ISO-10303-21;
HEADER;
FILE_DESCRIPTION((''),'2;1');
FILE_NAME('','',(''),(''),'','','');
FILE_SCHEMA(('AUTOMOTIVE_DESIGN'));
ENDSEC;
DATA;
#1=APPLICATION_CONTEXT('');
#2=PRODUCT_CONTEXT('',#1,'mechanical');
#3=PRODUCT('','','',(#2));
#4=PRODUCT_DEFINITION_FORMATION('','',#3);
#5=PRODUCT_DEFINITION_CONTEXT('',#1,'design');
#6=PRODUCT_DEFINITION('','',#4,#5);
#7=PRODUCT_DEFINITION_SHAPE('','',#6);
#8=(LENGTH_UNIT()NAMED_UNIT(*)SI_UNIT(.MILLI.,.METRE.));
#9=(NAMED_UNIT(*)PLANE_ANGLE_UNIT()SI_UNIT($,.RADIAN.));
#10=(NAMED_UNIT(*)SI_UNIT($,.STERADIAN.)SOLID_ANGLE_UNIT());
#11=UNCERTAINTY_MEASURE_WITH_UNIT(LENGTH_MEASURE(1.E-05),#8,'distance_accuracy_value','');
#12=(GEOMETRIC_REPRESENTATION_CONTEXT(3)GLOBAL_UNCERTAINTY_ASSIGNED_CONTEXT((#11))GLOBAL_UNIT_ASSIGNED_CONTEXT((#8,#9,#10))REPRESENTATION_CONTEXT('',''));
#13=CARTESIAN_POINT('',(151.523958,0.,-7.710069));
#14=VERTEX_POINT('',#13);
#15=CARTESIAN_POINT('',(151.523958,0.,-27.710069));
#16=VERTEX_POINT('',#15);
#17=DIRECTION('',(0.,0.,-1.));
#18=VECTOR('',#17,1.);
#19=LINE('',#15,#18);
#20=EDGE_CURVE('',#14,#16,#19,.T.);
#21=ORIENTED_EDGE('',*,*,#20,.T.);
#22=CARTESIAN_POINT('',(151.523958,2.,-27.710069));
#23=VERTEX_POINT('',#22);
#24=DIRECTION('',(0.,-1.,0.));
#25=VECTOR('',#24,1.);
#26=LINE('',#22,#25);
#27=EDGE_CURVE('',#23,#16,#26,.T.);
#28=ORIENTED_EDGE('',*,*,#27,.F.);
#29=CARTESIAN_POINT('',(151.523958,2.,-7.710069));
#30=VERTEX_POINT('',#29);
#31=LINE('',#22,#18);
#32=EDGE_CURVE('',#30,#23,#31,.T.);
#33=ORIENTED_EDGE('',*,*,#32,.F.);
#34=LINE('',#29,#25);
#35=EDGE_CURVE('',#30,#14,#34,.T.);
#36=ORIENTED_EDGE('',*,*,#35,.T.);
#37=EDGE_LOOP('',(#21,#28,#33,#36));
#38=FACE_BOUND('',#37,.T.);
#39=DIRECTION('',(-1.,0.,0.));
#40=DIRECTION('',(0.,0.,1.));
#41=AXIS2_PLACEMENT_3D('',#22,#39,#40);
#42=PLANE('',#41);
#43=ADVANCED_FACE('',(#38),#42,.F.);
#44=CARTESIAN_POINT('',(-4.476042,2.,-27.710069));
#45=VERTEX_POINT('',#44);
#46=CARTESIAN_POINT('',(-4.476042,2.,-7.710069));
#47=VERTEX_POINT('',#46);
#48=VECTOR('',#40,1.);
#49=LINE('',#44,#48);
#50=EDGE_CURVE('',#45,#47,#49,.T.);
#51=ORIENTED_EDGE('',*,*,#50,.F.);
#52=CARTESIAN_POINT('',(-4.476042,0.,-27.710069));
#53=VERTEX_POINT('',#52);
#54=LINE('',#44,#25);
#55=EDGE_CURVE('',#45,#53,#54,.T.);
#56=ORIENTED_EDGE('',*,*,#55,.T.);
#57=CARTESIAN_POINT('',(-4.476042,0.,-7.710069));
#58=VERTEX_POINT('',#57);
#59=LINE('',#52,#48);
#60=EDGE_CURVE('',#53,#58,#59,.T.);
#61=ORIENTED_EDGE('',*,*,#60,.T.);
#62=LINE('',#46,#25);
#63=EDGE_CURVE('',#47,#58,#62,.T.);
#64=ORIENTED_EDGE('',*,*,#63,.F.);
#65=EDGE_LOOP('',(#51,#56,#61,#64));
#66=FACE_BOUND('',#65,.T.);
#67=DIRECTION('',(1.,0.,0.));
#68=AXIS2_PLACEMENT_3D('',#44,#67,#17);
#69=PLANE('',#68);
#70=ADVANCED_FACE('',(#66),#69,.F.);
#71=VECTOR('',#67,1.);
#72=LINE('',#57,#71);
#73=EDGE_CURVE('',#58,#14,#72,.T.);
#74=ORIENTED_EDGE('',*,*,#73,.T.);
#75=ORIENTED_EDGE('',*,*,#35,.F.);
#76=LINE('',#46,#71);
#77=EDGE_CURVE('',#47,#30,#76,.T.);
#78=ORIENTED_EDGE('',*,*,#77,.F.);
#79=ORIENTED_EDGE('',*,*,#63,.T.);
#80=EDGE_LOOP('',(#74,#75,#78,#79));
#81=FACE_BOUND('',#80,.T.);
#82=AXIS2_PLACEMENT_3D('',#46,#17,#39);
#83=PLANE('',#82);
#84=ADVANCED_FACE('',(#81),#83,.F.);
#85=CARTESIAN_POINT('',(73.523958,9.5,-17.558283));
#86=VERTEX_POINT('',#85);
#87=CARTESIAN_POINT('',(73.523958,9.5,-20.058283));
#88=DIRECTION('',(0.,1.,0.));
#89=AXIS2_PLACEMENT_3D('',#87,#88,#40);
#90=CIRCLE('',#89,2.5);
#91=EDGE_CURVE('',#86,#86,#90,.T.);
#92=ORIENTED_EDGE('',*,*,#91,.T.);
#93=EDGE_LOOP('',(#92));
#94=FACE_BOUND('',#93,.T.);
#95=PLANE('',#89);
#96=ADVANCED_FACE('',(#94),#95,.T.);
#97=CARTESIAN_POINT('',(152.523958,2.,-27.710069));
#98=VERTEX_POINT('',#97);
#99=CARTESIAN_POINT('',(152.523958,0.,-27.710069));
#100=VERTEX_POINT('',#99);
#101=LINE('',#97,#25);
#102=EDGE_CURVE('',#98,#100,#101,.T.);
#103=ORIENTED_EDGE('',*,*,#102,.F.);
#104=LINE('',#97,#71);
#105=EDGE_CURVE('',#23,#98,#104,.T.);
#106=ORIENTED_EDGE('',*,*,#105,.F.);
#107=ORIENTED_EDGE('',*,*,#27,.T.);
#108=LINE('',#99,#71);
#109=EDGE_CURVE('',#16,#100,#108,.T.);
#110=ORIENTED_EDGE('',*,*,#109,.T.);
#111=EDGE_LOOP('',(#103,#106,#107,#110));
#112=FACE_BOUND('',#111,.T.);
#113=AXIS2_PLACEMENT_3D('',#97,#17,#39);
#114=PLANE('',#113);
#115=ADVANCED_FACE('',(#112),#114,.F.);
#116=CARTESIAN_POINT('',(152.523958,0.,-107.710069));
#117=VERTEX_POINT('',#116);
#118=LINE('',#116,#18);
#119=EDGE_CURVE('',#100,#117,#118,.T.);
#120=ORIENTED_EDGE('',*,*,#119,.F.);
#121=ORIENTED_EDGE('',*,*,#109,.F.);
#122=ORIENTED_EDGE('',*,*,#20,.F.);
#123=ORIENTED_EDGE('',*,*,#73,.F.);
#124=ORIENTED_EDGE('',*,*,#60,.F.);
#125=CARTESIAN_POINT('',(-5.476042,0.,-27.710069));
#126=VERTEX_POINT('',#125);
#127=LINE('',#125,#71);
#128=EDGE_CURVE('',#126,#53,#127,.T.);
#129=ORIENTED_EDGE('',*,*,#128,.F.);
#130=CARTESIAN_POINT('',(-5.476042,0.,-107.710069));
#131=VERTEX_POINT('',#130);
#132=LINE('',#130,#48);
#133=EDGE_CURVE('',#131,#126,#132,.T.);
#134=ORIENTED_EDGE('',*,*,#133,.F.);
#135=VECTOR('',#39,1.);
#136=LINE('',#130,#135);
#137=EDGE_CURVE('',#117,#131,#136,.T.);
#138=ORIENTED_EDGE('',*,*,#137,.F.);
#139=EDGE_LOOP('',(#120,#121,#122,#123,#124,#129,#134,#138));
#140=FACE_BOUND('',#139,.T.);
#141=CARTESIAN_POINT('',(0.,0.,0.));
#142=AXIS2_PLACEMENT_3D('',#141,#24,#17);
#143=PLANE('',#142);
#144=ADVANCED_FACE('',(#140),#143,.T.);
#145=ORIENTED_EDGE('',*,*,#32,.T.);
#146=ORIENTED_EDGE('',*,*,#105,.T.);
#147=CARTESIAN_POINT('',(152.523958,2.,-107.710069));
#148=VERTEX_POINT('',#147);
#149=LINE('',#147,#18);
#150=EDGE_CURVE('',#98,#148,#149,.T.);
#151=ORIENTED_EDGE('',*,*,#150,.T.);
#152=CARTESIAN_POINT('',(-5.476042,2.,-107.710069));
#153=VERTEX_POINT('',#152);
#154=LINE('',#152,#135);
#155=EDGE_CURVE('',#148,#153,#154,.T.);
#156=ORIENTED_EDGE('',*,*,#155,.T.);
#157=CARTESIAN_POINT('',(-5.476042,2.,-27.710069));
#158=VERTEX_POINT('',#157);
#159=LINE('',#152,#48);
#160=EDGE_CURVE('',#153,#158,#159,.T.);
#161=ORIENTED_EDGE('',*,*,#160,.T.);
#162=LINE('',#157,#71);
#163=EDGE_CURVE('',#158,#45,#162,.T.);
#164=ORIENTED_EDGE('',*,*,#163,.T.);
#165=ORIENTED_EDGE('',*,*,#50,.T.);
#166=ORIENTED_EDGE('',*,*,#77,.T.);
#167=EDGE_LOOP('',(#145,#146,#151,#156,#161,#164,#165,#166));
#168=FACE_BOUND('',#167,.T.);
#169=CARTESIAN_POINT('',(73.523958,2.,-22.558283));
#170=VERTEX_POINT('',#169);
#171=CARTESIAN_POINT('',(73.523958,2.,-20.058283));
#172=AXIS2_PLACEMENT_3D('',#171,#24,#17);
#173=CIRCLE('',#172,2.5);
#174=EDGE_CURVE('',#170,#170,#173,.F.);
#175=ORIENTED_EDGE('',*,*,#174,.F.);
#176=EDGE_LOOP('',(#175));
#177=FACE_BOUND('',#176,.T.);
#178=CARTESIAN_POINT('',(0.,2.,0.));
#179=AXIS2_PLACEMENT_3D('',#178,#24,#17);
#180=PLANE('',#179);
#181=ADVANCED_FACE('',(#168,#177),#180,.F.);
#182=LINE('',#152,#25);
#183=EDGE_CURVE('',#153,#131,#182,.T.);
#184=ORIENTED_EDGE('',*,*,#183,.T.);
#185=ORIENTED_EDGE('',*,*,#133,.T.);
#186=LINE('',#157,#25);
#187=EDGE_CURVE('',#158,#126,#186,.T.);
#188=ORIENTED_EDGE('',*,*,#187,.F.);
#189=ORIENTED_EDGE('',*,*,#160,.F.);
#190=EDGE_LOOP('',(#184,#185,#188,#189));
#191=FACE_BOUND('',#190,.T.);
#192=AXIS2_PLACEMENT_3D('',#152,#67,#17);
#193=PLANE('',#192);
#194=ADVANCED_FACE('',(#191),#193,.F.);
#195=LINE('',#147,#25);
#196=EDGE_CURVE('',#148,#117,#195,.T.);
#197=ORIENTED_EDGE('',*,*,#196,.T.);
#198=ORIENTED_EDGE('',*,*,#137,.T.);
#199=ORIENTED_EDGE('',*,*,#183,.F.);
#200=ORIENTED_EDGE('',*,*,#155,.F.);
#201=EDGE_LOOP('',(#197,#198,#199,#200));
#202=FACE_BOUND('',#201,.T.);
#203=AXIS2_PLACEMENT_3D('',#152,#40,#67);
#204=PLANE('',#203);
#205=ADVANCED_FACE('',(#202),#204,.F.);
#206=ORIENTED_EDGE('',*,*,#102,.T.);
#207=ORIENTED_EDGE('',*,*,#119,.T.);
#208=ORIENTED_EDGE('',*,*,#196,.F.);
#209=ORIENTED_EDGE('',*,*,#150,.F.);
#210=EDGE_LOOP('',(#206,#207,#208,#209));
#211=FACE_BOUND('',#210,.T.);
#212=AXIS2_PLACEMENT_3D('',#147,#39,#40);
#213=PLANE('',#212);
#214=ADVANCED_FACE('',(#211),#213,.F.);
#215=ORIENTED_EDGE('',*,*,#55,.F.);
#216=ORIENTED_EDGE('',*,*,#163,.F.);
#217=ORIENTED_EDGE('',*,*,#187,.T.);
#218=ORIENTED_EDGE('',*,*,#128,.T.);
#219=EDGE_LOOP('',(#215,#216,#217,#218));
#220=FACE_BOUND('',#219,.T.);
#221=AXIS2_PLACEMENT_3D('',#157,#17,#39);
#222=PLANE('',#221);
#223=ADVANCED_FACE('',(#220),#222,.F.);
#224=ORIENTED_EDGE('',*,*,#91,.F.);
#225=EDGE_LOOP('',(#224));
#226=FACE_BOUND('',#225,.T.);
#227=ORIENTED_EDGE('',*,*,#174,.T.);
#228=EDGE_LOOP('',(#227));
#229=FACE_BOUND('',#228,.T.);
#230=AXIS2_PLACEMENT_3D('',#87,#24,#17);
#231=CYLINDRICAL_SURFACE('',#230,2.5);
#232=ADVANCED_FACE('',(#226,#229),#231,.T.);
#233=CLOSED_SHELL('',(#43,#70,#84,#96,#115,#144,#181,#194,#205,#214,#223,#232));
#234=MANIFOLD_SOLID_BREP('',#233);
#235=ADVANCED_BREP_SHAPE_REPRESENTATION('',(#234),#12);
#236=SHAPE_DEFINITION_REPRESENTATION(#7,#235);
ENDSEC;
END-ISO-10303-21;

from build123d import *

# Parameters (mm, degrees)
BOSS_EXTRUDE1_DEPTH = 2
SKETCH2_R           = 2.5
BOSS_EXTRUDE2_DEPTH = 7.5


with BuildPart() as part:
    # Sketch1 → Boss-Extrude1 (new body)
    with BuildSketch(Plane(origin=(0, 0, 0), x_dir=(1, 0, 0), z_dir=(0, 1, 0))):
        Polygon((-5.476041667, 107.710069444), (-5.476041667, 27.710069444), (-4.476041667, 27.710069444), (-4.476041667, 7.710069444), (151.523958333, 7.710069444), (151.523958333, 27.710069444), (152.523958333, 27.710069444), (152.523958333, 107.710069444), align=None)
    extrude(amount=BOSS_EXTRUDE1_DEPTH)

    # Sketch2 → Boss-Extrude2 (add)
    with BuildSketch(Plane(origin=(0, 2, 0), x_dir=(1, 0, 0), z_dir=(0, 1, 0))):
        with Locations(Location((73.523958333, 20.058282781, 0), (0, 0, 90))):
            Circle(SKETCH2_R)
    extrude(amount=BOSS_EXTRUDE2_DEPTH)


solid = part.part
